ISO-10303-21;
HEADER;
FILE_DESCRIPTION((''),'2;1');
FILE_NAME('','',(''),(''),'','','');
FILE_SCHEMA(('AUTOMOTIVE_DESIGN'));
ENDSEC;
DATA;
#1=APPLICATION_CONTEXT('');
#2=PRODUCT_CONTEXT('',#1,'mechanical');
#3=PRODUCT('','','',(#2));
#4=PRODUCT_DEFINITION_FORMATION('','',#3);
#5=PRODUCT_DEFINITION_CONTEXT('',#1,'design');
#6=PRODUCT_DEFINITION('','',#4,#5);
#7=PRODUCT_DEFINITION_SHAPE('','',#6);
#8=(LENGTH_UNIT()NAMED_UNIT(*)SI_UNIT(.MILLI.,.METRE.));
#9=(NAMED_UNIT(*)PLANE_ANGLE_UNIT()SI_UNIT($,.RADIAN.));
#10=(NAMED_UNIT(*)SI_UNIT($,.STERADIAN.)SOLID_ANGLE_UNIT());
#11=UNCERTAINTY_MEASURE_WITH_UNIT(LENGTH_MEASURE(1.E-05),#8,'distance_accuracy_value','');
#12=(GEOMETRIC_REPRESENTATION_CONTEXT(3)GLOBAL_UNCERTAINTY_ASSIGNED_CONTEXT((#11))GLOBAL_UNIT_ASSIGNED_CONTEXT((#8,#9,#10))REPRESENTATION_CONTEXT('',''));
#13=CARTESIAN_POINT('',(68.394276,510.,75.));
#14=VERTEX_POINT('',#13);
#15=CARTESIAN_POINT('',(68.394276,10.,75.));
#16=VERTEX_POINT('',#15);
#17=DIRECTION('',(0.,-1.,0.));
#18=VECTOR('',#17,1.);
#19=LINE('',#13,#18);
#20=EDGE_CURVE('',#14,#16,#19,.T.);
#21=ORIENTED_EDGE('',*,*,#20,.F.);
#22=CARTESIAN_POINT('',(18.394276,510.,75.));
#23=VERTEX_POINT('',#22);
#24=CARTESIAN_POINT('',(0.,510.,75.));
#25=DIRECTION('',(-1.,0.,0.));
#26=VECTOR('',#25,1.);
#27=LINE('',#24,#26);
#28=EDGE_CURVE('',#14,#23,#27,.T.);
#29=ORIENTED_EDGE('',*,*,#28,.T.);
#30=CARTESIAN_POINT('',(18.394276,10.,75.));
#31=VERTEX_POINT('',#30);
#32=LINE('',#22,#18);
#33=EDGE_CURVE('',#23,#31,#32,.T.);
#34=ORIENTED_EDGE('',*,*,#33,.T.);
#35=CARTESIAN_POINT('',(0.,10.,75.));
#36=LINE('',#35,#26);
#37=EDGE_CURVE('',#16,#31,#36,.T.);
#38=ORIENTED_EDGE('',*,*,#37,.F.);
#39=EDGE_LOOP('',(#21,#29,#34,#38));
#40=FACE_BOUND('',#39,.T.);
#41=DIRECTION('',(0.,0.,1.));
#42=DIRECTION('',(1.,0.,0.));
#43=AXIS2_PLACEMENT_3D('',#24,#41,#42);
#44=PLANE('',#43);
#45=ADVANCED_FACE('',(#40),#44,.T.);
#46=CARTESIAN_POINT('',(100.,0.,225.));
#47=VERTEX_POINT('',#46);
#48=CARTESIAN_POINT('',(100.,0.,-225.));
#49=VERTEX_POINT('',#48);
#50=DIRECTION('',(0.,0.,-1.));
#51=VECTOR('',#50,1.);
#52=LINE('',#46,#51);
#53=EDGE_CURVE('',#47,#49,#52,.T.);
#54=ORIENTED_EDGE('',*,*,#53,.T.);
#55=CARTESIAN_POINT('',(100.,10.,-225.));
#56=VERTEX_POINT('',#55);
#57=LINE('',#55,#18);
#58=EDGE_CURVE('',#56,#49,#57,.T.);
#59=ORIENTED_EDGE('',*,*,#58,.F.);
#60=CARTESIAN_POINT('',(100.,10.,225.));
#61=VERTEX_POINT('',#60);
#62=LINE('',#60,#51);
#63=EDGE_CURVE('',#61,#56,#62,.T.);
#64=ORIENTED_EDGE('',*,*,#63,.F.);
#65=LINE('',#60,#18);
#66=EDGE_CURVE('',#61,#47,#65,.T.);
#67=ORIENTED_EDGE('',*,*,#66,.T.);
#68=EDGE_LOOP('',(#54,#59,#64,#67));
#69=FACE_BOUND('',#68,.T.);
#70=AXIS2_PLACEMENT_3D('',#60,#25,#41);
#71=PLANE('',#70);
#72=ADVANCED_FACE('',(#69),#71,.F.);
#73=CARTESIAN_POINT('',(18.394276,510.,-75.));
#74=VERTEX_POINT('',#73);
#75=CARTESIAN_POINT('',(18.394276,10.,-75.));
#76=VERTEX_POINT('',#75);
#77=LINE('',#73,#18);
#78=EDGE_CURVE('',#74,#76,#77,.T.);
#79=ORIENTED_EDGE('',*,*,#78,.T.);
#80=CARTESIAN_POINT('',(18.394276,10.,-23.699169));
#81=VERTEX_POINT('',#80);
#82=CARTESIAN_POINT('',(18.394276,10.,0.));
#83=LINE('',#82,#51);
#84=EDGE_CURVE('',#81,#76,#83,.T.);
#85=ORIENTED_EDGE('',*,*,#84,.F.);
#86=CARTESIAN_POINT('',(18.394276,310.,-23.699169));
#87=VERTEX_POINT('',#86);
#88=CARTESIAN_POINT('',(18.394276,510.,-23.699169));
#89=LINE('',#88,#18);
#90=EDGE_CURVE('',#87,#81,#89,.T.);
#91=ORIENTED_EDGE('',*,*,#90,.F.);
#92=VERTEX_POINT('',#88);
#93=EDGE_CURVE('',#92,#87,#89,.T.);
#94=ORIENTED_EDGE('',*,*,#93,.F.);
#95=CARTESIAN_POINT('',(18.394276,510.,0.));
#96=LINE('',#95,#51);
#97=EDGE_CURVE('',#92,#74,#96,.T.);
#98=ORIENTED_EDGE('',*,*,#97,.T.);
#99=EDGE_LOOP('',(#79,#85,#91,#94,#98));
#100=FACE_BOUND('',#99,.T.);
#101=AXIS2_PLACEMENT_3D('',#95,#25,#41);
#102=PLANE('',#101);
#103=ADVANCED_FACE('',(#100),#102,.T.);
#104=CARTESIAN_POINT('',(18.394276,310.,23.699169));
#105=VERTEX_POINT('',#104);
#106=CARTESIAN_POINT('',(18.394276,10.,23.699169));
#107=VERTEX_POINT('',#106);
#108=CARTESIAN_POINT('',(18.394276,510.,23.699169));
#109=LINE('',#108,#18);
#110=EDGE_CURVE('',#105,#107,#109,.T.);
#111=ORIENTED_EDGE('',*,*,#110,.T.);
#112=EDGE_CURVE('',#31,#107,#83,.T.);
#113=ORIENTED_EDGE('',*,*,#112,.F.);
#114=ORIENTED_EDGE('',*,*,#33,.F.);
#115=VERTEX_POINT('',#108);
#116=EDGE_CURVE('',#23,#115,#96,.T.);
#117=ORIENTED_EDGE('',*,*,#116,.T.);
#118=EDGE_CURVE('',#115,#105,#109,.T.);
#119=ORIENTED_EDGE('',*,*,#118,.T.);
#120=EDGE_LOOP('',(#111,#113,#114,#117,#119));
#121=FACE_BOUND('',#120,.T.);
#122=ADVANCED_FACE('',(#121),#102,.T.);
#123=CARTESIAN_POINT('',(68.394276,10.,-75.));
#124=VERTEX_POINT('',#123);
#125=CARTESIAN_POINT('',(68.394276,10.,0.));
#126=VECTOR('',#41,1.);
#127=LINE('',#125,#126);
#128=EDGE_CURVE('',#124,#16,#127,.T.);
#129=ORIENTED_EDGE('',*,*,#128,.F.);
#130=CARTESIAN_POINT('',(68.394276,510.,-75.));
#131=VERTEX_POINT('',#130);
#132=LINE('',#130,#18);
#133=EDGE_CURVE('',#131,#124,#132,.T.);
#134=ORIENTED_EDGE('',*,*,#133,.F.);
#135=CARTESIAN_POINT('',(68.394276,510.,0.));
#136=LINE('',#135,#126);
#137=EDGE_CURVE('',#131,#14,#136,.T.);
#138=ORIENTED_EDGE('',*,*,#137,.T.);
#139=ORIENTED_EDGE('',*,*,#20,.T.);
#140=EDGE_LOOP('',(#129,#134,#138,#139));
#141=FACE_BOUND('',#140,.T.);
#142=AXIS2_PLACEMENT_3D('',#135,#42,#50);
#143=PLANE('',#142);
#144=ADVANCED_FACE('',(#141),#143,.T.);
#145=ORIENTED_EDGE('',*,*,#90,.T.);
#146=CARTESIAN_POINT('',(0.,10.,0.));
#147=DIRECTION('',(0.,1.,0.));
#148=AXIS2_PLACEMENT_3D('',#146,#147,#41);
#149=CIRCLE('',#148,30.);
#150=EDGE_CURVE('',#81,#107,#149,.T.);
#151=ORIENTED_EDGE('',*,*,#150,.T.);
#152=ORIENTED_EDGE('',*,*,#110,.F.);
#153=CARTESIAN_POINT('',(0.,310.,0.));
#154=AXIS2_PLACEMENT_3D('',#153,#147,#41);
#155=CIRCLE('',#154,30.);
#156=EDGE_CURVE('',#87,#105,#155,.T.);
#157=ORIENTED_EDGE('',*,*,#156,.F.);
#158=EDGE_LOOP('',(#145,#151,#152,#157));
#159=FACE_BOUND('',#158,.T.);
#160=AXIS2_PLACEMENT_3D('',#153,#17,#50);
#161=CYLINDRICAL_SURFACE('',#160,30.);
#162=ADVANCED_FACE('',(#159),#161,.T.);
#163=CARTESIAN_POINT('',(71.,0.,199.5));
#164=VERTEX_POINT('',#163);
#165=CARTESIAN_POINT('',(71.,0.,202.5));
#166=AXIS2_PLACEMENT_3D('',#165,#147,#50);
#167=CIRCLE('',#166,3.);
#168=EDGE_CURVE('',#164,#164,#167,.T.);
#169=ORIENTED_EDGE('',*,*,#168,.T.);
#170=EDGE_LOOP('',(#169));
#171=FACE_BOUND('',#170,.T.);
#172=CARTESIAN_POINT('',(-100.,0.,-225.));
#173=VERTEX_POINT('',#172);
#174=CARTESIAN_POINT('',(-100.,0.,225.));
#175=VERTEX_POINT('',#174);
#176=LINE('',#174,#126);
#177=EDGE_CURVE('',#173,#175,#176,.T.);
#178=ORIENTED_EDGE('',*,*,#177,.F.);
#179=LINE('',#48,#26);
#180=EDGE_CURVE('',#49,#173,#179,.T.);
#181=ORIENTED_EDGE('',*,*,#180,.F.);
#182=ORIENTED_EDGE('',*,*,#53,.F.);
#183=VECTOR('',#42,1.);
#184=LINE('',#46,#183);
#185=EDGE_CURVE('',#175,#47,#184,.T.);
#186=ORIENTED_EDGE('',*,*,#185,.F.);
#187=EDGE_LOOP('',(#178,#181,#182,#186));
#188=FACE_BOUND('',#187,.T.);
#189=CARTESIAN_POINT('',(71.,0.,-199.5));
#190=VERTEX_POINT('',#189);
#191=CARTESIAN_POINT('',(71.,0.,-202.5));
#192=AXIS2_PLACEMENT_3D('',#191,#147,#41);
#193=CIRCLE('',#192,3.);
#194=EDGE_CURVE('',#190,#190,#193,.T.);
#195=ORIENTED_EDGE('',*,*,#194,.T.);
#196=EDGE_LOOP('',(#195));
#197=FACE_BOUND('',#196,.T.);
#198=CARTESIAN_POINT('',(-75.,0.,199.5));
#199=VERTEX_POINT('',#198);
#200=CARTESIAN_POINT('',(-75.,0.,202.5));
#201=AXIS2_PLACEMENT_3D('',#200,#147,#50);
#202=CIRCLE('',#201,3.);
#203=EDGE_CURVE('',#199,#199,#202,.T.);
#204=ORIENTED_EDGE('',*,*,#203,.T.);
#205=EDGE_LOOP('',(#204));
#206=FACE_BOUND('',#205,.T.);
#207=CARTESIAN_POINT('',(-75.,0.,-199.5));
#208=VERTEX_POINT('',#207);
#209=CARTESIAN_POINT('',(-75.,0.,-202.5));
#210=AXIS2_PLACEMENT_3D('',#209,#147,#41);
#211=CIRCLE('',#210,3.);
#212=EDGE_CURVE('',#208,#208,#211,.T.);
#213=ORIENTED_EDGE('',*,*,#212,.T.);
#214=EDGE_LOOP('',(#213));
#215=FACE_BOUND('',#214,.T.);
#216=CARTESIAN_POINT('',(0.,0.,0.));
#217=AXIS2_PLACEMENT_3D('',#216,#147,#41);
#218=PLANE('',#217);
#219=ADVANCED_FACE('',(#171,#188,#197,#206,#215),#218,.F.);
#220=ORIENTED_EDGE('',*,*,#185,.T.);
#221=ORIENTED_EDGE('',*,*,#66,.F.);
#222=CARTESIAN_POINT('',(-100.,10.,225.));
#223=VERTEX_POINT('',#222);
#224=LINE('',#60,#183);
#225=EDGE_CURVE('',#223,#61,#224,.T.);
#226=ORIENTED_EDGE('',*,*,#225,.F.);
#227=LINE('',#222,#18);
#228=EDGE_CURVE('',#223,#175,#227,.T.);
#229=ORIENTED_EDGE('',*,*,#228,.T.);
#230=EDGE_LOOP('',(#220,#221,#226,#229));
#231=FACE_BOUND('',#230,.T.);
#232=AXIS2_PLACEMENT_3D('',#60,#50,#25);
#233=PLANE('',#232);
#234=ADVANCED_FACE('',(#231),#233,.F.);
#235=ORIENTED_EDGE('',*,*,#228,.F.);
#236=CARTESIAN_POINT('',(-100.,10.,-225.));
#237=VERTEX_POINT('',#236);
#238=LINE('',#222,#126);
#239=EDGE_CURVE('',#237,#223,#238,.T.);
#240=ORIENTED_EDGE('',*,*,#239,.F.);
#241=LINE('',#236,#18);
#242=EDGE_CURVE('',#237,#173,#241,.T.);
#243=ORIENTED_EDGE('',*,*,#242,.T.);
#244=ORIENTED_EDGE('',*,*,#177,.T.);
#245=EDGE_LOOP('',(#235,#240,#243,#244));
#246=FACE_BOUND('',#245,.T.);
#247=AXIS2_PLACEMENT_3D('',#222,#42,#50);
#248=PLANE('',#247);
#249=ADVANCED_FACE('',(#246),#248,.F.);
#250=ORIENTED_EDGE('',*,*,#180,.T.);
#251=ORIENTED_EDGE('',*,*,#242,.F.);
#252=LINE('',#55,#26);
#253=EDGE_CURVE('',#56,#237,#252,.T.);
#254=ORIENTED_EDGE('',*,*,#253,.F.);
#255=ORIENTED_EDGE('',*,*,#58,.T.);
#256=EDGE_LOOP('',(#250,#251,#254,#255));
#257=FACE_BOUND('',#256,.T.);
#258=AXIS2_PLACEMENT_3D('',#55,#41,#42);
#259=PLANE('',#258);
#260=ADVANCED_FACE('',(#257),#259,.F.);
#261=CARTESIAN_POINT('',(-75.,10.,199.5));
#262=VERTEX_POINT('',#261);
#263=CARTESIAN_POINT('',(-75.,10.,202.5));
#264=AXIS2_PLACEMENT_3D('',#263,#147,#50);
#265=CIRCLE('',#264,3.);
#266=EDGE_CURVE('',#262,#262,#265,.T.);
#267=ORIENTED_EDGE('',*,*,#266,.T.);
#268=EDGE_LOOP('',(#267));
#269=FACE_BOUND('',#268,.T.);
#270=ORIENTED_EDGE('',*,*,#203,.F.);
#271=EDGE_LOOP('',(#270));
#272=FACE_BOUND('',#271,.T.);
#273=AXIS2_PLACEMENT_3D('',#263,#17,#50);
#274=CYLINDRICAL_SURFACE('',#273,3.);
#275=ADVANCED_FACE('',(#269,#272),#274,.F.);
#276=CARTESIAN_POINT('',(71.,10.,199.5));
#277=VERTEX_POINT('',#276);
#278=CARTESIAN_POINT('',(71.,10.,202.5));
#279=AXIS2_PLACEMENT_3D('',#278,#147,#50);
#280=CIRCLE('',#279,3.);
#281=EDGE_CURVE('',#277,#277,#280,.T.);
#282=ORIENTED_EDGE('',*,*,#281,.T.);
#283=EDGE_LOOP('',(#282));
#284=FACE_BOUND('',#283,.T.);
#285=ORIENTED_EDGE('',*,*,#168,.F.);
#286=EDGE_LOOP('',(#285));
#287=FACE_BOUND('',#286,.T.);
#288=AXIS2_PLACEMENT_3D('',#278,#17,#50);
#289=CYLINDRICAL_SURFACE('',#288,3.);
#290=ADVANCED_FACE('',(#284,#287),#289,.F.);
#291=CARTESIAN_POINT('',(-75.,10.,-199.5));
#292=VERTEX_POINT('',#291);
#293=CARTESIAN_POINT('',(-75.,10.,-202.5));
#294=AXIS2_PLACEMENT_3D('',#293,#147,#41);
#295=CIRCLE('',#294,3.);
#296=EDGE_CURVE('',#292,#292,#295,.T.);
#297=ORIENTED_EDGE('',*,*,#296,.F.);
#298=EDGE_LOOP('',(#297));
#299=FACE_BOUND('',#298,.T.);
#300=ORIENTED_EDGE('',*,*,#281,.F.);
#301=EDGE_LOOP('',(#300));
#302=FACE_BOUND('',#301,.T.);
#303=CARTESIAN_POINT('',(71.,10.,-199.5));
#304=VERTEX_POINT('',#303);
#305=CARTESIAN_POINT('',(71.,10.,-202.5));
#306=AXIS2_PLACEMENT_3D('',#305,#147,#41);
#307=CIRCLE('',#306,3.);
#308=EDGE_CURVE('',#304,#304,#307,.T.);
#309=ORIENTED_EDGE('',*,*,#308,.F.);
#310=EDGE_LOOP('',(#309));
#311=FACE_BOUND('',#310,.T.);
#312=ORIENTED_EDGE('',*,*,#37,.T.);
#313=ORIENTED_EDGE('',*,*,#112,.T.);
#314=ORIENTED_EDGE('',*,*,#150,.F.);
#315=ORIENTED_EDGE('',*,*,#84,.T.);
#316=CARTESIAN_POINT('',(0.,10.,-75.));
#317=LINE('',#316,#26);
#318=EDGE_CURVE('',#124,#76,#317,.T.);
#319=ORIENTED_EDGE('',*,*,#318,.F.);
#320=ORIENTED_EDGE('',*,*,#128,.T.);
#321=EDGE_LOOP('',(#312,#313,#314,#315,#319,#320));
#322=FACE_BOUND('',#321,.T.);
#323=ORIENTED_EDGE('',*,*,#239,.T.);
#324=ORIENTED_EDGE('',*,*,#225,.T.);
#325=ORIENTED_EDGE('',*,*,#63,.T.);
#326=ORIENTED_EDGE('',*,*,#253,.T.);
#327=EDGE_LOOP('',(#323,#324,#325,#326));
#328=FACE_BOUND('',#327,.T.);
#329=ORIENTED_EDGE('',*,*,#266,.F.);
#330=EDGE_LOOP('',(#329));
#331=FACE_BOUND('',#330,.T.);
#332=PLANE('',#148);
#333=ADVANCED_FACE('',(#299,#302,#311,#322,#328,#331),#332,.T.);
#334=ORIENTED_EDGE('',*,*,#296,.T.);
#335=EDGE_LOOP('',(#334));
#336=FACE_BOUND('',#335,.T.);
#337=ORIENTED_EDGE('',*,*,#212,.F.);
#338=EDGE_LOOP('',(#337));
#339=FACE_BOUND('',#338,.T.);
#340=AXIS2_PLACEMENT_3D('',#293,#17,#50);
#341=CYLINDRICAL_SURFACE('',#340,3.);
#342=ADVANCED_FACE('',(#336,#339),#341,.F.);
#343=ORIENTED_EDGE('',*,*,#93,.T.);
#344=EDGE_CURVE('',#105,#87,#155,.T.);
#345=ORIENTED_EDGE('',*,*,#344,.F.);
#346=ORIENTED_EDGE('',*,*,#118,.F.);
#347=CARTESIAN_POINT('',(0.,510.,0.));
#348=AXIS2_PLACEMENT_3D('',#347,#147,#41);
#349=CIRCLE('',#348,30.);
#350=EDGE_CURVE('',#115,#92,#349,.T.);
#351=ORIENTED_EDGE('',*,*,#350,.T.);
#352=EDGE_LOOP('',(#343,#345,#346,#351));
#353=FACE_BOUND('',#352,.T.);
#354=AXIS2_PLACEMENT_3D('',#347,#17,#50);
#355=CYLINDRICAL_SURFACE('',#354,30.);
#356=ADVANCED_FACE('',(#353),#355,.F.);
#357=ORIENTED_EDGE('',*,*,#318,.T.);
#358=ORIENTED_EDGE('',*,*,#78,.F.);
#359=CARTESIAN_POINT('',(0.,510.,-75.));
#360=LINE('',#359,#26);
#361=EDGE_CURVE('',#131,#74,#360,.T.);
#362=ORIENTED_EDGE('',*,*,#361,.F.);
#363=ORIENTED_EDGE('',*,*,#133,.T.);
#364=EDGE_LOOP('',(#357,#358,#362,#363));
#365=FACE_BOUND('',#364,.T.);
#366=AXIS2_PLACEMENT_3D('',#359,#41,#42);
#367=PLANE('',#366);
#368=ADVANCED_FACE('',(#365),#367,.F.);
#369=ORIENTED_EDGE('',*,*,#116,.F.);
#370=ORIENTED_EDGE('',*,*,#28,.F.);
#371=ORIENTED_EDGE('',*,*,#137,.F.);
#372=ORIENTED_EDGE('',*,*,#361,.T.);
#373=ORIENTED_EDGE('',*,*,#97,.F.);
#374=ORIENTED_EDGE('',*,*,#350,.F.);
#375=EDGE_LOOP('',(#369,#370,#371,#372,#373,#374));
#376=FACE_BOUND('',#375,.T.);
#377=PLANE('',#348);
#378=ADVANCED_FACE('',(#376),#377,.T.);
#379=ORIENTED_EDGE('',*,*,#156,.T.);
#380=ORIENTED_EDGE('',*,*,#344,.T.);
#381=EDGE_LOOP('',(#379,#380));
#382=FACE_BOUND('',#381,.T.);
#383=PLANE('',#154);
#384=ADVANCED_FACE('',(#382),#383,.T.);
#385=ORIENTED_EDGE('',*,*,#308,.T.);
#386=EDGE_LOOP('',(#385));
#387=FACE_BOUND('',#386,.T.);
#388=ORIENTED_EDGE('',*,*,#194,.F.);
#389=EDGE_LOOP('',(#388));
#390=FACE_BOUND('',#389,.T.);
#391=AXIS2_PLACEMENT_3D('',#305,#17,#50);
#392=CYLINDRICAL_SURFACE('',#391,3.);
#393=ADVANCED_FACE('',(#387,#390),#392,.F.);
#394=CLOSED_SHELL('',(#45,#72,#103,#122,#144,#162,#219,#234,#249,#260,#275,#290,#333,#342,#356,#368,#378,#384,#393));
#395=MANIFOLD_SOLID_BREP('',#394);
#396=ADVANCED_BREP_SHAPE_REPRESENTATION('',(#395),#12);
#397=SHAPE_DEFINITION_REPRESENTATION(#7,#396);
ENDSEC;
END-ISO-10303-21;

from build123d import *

# Parameters (mm, degrees)
SKETCH1_W           = 200
SKETCH1_H           = 450
SKETCH1_R           = 3
BOSS_EXTRUDE1_DEPTH = 10
BOSS_EXTRUDE2_DEPTH = 300
BOSS_EXTRUDE3_DEPTH = 500


with BuildPart() as part:
    # Sketch1 → Boss-Extrude1 (new body)
    with BuildSketch(Plane(origin=(0, 0, 0), x_dir=(1, 0, 0), z_dir=(0, 1, 0))):
        Rectangle(SKETCH1_W, SKETCH1_H)
        with Locations((-75, 202.5)):
            Circle(SKETCH1_R, mode=Mode.SUBTRACT)
        with Locations((71, 202.5)):
            Circle(SKETCH1_R, mode=Mode.SUBTRACT)
        with Locations((71, -202.5)):
            Circle(SKETCH1_R, mode=Mode.SUBTRACT)
        with Locations((-75, -202.5)):
            Circle(SKETCH1_R, mode=Mode.SUBTRACT)
    extrude(amount=BOSS_EXTRUDE1_DEPTH)

    # Sketch2 → Boss-Extrude2 (add)
    with BuildSketch(Plane(origin=(0, 10, 0), x_dir=(1, 0, 0), z_dir=(0, 1, 0))):
        with BuildLine():
            ThreePointArc((30, 0), (26.942793817, 13.194160122), (18.394275911, 23.699169051))
            ThreePointArc((18.394275911, 23.699169051), (-13.194160122, 26.942793817), (-30, 0))
            ThreePointArc((-30, 0), (-13.194160122, -26.942793817), (18.394275911, -23.699169051))
            ThreePointArc((18.394275911, -23.699169051), (26.942793817, -13.194160122), (30, 0))
        make_face()
    extrude(amount=BOSS_EXTRUDE2_DEPTH)

    # Sketch2<3> → Boss-Extrude3 (add)
    with BuildSketch(Plane(origin=(0, 10, 0), x_dir=(1, 0, 0), z_dir=(0, 1, 0))):
        with BuildLine():
            Line((18.394275911, 75), (18.394275911, 23.699169051))
            ThreePointArc((18.394275911, 23.699169051), (26.942793817, 13.194160122), (30, 0))
            ThreePointArc((30, 0), (26.942793817, -13.194160122), (18.394275911, -23.699169051))
            Line((18.394275911, -23.699169051), (18.394275911, -75))
            Line((18.394275911, -75), (68.394275911, -75))
            Line((68.394275911, -75), (68.394275911, 75))
            Line((68.394275911, 75), (18.394275911, 75))
        make_face()
    extrude(amount=BOSS_EXTRUDE3_DEPTH)


solid = part.part
